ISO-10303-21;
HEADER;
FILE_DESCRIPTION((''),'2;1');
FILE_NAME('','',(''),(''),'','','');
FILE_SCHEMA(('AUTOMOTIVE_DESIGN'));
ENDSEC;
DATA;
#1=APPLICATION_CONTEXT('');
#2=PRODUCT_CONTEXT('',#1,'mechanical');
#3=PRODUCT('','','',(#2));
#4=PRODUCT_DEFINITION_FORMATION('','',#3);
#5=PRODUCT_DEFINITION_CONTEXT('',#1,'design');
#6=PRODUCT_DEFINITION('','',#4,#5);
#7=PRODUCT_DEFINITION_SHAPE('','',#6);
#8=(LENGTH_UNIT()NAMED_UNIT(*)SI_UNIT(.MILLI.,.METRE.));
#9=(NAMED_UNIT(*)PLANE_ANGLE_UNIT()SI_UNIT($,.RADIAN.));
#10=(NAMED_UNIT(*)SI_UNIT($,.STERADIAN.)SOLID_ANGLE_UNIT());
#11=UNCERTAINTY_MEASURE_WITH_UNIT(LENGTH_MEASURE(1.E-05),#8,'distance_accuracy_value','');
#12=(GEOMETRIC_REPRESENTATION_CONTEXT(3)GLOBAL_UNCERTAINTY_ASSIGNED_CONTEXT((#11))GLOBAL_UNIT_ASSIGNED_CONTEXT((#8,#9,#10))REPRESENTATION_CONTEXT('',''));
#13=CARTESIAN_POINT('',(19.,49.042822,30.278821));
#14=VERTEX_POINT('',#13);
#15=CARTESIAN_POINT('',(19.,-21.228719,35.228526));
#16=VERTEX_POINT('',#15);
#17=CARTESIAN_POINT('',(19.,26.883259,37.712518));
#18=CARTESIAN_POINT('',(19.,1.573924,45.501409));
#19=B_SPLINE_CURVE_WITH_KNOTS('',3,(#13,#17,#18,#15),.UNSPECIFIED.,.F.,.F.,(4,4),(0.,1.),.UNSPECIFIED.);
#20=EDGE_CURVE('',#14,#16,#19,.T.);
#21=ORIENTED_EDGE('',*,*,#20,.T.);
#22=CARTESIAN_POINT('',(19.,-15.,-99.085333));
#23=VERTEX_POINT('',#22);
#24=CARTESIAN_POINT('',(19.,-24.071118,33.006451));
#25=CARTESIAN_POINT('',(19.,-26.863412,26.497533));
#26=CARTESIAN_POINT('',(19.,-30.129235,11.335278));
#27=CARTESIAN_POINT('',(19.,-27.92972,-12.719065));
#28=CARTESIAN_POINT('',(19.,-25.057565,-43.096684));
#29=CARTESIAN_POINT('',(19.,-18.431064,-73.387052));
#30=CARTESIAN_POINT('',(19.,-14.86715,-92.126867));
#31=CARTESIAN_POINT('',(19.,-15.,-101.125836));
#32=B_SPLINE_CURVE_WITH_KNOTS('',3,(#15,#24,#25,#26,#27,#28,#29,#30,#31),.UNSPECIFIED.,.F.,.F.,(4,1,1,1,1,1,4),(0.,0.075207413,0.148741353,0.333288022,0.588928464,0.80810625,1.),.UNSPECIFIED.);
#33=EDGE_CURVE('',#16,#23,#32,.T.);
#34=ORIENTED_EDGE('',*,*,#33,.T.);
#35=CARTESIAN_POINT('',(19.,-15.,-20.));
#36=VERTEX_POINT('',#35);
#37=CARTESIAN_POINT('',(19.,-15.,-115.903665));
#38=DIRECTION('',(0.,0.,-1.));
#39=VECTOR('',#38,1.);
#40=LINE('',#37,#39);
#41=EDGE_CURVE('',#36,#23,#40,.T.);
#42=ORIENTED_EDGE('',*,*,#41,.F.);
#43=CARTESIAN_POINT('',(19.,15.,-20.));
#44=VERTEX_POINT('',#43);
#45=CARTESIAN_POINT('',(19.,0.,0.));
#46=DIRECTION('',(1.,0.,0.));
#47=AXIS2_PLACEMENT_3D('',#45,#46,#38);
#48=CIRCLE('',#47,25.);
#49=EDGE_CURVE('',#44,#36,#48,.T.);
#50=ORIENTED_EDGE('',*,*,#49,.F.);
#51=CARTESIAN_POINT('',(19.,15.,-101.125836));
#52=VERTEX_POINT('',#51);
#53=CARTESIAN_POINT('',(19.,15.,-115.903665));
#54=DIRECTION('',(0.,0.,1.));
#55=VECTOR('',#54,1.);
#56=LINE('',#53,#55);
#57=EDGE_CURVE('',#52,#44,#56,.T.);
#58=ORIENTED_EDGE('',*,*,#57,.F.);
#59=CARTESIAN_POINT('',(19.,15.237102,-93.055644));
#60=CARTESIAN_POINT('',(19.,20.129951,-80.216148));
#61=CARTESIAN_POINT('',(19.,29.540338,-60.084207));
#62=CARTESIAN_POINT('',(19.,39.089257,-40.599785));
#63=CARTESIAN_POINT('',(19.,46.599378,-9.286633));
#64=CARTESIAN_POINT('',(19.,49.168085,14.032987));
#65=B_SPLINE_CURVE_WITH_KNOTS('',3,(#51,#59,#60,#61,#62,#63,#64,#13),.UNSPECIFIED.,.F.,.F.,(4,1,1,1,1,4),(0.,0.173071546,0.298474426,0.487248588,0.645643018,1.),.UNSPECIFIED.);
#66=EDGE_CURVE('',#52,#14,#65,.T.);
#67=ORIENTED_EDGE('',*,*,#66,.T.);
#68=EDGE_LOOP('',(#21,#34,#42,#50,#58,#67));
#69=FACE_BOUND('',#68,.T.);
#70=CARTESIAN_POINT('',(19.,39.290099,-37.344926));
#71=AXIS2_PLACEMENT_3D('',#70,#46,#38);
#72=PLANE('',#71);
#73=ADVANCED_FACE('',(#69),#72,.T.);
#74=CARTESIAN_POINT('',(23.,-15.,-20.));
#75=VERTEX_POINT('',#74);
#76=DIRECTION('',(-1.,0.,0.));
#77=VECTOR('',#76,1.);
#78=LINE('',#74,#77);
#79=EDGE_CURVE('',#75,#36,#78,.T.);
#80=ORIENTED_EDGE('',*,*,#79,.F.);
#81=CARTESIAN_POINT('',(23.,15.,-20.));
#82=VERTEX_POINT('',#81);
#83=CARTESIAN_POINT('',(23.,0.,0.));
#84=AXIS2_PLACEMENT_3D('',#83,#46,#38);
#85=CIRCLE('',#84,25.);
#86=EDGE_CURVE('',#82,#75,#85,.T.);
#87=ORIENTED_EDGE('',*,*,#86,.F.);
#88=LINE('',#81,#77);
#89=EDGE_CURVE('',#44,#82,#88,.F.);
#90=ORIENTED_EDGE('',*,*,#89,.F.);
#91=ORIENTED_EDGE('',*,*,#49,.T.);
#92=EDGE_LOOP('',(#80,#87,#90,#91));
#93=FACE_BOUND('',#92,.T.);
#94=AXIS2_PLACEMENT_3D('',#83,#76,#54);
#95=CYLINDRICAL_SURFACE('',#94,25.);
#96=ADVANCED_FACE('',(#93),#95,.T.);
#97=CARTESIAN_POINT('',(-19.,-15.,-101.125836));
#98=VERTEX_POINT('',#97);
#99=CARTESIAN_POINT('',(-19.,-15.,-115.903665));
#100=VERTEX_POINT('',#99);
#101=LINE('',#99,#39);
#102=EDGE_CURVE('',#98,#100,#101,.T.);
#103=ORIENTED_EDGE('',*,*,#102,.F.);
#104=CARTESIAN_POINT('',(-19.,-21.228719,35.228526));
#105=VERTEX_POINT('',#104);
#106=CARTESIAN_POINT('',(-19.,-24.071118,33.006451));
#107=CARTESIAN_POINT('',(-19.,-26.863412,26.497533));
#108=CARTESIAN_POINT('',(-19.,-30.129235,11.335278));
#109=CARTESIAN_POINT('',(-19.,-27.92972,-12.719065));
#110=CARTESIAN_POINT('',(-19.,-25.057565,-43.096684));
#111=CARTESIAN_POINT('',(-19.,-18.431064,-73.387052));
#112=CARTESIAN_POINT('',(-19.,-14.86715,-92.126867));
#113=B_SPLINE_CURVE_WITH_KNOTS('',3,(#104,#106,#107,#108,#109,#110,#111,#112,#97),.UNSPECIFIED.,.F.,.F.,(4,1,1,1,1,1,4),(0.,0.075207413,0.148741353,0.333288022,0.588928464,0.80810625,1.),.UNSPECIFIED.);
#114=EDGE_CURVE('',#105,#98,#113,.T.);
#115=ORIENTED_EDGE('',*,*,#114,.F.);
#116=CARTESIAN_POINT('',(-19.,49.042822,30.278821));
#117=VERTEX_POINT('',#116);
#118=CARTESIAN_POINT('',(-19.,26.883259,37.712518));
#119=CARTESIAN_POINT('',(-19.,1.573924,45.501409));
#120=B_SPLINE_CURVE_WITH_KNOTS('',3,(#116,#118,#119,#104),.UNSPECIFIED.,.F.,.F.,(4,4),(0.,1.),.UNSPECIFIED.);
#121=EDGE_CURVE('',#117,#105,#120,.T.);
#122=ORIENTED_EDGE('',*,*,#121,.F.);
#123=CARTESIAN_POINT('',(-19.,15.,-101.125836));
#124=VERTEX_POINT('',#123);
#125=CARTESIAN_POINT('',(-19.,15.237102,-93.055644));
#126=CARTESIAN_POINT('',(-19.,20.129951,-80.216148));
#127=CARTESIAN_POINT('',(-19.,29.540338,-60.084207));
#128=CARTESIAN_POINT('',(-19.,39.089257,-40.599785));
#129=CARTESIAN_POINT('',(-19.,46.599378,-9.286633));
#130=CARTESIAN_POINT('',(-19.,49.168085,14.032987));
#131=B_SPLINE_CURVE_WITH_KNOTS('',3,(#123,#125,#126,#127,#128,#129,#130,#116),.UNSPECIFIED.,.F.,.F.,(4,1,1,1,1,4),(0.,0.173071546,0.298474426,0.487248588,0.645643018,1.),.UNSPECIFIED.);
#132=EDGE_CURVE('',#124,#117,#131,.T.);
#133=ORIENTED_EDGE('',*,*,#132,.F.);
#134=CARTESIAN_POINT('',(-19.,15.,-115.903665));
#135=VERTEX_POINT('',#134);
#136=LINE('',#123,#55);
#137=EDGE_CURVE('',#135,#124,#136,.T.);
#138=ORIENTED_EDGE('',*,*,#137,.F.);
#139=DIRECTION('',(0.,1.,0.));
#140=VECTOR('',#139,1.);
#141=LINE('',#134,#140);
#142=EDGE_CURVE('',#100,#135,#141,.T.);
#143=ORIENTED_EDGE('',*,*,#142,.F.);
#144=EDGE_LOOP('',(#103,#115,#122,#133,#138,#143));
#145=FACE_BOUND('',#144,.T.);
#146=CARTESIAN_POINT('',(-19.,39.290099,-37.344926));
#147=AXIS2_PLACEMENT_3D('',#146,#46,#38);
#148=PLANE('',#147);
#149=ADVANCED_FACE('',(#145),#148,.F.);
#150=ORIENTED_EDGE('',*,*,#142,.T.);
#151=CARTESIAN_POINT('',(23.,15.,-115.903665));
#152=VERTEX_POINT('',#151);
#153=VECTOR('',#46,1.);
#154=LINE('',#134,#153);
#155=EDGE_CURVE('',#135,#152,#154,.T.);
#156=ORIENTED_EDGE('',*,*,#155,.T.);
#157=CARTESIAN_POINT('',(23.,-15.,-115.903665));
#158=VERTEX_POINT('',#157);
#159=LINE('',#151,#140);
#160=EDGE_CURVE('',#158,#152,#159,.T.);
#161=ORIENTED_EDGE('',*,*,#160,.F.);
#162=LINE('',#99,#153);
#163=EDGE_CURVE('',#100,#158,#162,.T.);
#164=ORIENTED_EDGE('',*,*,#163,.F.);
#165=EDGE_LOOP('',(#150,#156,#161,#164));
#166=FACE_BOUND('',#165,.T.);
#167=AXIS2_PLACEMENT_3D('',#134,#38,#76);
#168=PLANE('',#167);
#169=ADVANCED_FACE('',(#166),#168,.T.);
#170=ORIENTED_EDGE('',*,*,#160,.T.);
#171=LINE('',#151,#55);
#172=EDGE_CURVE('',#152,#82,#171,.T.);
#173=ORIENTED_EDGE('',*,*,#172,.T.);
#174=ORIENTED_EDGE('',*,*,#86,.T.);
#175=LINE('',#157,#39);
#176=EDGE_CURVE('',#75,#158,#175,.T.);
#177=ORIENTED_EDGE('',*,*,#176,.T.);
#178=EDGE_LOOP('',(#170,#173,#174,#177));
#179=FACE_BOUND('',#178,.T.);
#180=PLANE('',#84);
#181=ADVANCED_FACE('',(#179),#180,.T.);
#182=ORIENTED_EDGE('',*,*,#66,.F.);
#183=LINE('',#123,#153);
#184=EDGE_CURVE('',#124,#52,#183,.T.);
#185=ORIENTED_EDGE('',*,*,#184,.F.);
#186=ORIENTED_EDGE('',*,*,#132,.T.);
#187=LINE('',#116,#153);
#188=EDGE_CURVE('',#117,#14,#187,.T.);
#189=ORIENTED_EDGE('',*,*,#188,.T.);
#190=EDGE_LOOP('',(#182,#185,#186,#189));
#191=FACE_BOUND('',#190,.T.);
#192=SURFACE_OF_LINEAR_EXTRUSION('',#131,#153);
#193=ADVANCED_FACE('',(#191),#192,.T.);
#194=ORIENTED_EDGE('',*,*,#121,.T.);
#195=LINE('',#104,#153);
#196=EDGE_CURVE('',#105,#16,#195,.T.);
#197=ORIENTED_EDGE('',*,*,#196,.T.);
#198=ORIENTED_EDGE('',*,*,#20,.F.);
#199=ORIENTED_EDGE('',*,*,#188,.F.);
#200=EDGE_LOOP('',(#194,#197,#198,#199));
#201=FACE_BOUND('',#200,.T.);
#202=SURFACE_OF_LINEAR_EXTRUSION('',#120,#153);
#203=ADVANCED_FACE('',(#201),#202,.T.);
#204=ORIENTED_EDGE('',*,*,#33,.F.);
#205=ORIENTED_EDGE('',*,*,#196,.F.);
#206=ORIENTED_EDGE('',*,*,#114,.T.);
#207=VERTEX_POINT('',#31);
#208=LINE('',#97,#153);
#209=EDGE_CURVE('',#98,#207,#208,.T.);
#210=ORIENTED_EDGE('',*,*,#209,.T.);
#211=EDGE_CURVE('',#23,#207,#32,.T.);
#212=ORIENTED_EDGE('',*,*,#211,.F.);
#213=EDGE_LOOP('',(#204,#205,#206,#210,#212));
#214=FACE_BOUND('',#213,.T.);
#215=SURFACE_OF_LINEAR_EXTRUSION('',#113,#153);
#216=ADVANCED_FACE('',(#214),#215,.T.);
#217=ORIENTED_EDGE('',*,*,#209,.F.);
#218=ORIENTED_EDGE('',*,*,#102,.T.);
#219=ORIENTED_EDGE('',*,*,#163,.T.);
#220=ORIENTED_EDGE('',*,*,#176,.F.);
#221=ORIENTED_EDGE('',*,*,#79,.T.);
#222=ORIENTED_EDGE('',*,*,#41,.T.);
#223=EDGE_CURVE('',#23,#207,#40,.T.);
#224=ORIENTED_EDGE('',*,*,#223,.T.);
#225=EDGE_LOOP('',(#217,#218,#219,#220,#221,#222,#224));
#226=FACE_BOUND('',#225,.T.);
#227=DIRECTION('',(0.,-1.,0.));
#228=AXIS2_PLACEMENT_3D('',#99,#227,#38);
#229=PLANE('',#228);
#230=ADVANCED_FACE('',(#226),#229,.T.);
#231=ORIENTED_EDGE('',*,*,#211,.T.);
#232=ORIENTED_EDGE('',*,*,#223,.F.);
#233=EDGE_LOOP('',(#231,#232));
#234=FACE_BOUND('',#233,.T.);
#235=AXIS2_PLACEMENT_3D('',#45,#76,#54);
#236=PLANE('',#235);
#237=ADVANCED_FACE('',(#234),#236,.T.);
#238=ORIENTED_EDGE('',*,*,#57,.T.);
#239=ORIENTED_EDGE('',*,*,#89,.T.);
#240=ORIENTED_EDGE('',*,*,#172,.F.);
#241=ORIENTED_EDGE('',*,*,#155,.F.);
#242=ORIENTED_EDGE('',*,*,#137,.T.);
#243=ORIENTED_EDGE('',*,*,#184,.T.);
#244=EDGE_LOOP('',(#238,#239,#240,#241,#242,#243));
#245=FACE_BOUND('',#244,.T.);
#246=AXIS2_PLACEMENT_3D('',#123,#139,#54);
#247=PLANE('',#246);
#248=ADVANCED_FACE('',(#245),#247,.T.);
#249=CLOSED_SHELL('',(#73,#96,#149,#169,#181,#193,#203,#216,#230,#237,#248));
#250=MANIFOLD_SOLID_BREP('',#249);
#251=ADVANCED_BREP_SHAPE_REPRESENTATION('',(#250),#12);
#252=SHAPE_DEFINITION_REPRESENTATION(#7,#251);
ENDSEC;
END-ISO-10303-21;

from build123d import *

# Parameters (mm, degrees)
BOSS_EXTRUDE1_DEPTH      = 19
BOSS_EXTRUDE1_DEPTH_BACK = 19
SKETCH4_R                = 25
BOSS_EXTRUDE2_DEPTH      = 4
SKETCH7_W                = 96.334868302
SKETCH7_H                = 30
BOSS_EXTRUDE4_DEPTH      = 4


with BuildPart() as part:
    # Sketch3 → Boss-Extrude1 (new, two sides: drawn at the far end of the back side and taken through both)
    with BuildSketch(Plane(origin=(0, 0, 0), x_dir=(0, 0, -1), z_dir=(1, 0, 0)).offset(-BOSS_EXTRUDE1_DEPTH_BACK)):
        with BuildLine():
            Line((101.125836247, 15), (115.903665145, 15))
            Line((115.903665145, 15), (115.903665145, -15))
            Line((115.903665145, -15), (101.125836247, -15))
            add(Edge.make_bspline(
                [(-35.228525995, -21.228719453), (-33.006450865, -24.07111779), (-26.49753273, -26.863412426), (-11.335277797, -30.129234604), (12.719064979, -27.929719806), (43.096683762, -25.057564772), (73.387051738, -18.43106409), (92.126866656, -14.867150153), (101.125836247, -15)],
                knots=[0, 0, 0, 0, 0.075207413, 0.148741353, 0.333288022, 0.588928464, 0.80810625, 1, 1, 1, 1], degree=3))
            add(Edge.make_bspline(
                [(-30.278821492, 49.042821653), (-37.712518178, 26.883259009), (-45.501408919, 1.573924427), (-35.228525995, -21.228719453)],
                knots=[0, 0, 0, 0, 1, 1, 1, 1], degree=3))
            add(Edge.make_bspline(
                [(-30.278821492, 49.042821653), (-14.032986644, 49.168084942), (9.286633448, 46.599377579), (40.599784556, 39.089257371), (60.084206577, 29.540337779), (80.216148289, 20.129950878), (93.055643568, 15.237102325), (101.125836247, 15)],
                knots=[0, 0, 0, 0, 0.354356982, 0.512751412, 0.701525574, 0.826928454, 1, 1, 1, 1], degree=3))
        make_face()
    extrude(amount=BOSS_EXTRUDE1_DEPTH + BOSS_EXTRUDE1_DEPTH_BACK)

    # Sketch4 → Boss-Extrude2 (add)
    with BuildSketch(Plane(origin=(19, 0, 0), x_dir=(0, 0, -1), z_dir=(1, 0, 0))):
        Circle(SKETCH4_R)
    extrude(amount=BOSS_EXTRUDE2_DEPTH)

    # Sketch7 → Boss-Extrude4 (add)
    with BuildSketch(Plane(origin=(19, 0, 0), x_dir=(0, 0, -1), z_dir=(1, 0, 0))):
        with Locations((67.736230994, 0)):
            Rectangle(SKETCH7_W, SKETCH7_H)
    extrude(amount=BOSS_EXTRUDE4_DEPTH)


solid = part.part
